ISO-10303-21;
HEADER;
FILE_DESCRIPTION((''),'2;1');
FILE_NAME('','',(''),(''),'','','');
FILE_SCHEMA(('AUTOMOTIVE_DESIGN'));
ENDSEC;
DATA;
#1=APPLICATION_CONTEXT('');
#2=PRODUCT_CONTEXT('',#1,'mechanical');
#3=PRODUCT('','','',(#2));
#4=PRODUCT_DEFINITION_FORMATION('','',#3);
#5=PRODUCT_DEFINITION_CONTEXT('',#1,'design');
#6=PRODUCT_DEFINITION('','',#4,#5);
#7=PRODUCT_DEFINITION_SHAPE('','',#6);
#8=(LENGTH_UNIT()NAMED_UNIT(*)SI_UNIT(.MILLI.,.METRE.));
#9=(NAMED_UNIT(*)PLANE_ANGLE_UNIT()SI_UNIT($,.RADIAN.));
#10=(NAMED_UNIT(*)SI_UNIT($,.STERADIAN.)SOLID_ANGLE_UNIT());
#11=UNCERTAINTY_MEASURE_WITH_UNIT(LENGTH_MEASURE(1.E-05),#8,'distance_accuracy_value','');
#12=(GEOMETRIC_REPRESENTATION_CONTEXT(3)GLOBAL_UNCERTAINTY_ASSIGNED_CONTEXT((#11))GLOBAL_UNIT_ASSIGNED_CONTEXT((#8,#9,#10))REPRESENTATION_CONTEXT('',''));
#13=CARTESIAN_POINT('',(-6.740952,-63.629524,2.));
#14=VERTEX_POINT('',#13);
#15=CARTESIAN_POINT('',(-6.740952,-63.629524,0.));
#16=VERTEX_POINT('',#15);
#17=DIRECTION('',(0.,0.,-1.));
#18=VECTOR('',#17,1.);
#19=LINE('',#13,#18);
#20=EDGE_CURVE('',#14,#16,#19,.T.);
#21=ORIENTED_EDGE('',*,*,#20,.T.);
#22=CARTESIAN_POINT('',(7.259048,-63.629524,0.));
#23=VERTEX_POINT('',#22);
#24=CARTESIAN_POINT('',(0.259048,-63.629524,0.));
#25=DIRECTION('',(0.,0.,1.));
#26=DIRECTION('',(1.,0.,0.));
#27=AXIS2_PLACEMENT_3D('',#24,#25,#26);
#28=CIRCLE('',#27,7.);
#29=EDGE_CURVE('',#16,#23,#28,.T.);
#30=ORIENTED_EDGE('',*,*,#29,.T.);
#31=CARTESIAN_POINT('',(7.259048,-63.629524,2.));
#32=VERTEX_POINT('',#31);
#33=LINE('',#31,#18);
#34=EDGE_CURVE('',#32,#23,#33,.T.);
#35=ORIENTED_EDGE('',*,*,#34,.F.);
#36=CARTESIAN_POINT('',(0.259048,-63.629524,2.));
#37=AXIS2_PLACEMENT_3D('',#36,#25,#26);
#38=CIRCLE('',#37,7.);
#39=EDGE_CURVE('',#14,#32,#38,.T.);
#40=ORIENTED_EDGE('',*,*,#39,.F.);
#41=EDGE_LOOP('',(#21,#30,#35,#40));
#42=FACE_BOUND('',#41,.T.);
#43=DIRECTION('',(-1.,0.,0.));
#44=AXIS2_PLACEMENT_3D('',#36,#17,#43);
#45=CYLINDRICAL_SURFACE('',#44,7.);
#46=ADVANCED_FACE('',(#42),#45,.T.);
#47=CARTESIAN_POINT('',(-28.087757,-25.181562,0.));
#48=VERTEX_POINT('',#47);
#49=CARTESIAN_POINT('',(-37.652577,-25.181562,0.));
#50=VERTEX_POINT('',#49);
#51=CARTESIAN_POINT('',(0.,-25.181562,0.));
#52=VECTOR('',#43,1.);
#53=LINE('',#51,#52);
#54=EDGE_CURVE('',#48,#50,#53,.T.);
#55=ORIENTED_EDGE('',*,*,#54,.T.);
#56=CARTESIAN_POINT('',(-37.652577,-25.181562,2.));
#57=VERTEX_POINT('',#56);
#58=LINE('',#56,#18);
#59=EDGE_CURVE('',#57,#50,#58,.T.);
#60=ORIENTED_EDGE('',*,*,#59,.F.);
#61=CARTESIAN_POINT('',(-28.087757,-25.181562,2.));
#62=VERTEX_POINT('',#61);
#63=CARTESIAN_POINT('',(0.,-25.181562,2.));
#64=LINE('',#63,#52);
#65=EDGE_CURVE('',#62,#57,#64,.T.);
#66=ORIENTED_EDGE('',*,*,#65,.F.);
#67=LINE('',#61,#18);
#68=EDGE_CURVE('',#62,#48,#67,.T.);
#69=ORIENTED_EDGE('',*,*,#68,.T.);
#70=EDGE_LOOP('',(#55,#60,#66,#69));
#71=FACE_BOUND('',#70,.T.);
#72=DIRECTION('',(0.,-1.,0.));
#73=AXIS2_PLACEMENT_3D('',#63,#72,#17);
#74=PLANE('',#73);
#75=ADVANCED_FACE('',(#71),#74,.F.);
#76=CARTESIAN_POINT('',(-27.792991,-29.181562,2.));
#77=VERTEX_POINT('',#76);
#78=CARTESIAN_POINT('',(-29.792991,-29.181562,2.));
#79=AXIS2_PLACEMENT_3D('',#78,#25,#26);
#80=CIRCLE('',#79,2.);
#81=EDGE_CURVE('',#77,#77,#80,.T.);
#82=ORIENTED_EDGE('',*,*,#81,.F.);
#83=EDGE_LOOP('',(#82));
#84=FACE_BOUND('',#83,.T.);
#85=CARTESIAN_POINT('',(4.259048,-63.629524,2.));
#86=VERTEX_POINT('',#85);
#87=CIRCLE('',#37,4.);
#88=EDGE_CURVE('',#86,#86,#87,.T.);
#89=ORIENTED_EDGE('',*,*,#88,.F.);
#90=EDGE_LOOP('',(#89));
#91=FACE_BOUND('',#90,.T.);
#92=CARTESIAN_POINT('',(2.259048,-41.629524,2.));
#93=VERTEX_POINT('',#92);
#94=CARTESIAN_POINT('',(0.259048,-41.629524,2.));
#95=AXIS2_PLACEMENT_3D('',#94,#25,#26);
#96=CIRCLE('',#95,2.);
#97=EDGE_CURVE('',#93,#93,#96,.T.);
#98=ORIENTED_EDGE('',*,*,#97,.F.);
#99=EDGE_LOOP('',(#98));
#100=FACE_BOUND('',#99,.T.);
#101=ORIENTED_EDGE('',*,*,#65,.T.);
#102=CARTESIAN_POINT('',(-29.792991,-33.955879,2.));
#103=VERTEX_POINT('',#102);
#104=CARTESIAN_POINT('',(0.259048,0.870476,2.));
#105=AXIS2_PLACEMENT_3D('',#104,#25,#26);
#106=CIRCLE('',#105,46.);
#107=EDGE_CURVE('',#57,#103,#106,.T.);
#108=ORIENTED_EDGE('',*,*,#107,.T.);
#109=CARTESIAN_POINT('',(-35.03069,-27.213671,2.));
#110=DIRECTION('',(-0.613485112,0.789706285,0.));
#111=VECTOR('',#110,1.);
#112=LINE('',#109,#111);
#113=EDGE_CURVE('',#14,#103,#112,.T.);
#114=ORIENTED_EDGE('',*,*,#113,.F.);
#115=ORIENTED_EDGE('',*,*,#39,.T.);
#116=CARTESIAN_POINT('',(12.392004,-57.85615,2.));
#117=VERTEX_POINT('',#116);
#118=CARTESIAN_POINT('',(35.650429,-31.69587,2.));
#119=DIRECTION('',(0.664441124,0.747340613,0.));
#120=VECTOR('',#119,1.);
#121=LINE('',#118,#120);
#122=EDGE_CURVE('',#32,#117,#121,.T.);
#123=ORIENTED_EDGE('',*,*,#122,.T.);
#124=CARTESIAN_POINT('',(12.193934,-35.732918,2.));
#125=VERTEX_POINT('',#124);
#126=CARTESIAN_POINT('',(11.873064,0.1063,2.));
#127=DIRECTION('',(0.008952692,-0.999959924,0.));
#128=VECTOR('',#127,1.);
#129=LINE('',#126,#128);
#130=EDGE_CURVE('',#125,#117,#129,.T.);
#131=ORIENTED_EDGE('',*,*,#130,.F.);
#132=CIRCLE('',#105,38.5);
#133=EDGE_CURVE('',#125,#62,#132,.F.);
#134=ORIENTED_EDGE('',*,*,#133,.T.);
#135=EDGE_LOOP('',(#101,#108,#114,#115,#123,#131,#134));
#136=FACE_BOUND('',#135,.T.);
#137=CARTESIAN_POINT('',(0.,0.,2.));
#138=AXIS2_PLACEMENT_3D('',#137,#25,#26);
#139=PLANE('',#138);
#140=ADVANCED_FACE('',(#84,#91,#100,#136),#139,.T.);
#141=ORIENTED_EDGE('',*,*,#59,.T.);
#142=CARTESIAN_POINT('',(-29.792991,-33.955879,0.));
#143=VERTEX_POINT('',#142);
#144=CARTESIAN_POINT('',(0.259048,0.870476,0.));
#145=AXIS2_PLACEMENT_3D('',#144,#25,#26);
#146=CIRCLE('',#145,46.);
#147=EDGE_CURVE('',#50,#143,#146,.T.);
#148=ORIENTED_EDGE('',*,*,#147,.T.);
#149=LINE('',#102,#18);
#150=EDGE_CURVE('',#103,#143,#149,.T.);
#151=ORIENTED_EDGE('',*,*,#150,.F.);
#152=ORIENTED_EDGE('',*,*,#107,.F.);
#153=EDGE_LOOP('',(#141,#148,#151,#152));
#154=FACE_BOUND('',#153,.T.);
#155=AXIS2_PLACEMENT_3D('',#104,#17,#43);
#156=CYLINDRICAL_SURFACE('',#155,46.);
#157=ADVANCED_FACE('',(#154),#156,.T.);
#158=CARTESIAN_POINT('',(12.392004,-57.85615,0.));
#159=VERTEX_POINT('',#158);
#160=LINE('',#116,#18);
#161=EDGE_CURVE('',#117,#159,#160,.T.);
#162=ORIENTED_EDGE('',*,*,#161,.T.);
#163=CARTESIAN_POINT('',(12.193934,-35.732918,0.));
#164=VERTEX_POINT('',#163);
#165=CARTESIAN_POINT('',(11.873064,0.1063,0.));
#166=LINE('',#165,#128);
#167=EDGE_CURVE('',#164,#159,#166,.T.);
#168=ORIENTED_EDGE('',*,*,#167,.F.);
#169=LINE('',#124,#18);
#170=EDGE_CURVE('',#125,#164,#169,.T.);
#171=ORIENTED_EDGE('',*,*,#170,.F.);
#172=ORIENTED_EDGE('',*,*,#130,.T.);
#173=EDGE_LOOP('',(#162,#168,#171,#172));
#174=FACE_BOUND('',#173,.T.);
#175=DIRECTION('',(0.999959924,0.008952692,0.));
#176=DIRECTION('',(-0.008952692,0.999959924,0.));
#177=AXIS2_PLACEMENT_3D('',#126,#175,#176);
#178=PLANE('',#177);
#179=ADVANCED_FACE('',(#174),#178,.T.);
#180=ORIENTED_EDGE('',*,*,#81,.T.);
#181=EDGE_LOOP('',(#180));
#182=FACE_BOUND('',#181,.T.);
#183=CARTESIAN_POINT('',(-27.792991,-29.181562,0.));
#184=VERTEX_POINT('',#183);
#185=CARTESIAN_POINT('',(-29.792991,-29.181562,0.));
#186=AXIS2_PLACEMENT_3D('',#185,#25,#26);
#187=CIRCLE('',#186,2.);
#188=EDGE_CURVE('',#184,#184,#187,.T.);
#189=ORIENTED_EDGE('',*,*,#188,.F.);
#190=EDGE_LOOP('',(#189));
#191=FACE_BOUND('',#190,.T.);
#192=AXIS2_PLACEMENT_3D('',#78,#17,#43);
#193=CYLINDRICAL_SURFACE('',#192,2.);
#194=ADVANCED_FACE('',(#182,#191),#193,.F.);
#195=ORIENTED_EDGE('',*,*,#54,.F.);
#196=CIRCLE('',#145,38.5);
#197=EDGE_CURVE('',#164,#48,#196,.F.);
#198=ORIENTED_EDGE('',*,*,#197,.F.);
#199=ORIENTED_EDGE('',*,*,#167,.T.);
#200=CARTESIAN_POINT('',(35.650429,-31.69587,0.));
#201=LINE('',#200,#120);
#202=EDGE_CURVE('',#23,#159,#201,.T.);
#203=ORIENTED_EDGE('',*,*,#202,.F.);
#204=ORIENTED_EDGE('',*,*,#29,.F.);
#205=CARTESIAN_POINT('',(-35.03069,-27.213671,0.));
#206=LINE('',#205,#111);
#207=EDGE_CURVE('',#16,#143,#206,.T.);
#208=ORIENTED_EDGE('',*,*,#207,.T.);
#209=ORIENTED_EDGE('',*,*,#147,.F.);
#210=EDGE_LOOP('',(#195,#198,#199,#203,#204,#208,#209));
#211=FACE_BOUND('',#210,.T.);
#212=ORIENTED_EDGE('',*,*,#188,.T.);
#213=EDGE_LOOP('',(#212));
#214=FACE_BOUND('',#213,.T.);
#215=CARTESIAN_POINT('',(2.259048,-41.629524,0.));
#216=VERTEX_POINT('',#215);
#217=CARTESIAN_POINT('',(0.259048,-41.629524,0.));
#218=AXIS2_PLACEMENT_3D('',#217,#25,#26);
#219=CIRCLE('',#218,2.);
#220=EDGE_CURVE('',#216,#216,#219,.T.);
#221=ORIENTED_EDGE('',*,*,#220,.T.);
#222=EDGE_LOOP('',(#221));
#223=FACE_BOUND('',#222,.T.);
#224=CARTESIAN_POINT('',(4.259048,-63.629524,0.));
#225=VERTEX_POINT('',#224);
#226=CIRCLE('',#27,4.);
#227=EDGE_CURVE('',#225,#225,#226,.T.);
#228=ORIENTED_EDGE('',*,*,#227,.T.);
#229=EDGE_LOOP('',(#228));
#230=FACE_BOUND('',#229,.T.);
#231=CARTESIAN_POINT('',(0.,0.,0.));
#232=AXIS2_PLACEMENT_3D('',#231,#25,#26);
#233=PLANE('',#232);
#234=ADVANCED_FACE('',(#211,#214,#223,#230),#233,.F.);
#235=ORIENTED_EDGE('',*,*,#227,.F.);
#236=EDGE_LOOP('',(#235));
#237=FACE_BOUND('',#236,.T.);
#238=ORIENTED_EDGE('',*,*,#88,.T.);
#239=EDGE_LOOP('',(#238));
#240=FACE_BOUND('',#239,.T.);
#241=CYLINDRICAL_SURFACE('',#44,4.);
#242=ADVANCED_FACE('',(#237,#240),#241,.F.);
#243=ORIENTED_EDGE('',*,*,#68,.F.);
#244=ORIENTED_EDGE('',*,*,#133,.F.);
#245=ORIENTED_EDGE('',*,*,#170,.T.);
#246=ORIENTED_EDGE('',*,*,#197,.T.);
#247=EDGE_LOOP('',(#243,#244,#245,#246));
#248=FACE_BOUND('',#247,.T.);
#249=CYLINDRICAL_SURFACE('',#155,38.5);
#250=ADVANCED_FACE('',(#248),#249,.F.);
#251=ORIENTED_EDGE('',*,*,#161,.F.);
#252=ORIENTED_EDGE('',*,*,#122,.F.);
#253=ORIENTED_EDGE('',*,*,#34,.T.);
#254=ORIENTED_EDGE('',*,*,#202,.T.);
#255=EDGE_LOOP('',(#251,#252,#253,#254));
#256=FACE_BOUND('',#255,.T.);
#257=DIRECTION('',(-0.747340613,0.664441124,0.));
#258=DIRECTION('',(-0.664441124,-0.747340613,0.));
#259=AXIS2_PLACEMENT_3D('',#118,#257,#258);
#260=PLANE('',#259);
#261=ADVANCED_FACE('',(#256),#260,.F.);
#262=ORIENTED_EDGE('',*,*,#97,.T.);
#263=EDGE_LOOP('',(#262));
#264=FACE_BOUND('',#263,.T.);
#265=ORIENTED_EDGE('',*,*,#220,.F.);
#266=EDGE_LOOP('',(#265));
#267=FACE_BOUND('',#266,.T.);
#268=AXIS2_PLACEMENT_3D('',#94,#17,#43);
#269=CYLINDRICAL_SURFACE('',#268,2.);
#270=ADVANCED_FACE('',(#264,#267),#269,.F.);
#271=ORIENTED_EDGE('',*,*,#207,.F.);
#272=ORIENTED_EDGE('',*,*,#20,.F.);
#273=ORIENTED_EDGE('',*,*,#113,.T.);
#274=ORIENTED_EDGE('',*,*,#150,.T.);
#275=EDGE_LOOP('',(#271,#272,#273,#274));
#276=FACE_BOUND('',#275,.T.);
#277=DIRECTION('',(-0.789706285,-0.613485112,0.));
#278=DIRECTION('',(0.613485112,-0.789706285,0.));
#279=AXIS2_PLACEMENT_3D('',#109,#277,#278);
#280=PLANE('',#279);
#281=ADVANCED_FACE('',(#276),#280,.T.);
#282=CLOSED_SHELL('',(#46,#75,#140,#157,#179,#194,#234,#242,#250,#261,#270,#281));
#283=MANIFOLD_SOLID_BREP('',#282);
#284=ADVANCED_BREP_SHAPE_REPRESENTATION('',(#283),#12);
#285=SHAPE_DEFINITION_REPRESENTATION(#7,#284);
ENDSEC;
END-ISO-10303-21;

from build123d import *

# Parameters (mm, degrees)
SKETCH_1_R      = 2
SKETCH_1_R_2    = 4
EXTRUDE_1_DEPTH = 2


with BuildPart() as part:
    # 草图1 → 凸台-拉伸1 (new body)
    with BuildSketch(Plane.XY):
        with BuildLine():
            Line((-28.087756532, -25.18156201), (-37.652577321, -25.18156201))
            ThreePointArc((-37.652577321, -25.18156201), (-34.00481141, -29.821346246), (-29.792990581, -33.955878772))
            Line((-29.792990581, -33.955878772), (-6.740952381, -63.62952381))
            ThreePointArc((-6.740952381, -63.62952381), (0.259047619, -70.62952381), (7.259047619, -63.62952381))
            Line((7.259047619, -63.62952381), (12.392004443, -57.856149826))
            Line((12.392004443, -57.856149826), (12.193934029, -35.732918275))
            ThreePointArc((12.193934029, -35.732918275), (-9.496491359, -36.373039477), (-28.087756532, -25.18156201))
        make_face()
        with Locations((0.259047619, -41.62952381)):
            Circle(SKETCH_1_R, mode=Mode.SUBTRACT)
        with Locations((-29.792990581, -29.18156201)):
            Circle(SKETCH_1_R, mode=Mode.SUBTRACT)
        with Locations((0.259047619, -63.62952381)):
            Circle(SKETCH_1_R_2, mode=Mode.SUBTRACT)
    extrude(amount=EXTRUDE_1_DEPTH)


solid = part.part
